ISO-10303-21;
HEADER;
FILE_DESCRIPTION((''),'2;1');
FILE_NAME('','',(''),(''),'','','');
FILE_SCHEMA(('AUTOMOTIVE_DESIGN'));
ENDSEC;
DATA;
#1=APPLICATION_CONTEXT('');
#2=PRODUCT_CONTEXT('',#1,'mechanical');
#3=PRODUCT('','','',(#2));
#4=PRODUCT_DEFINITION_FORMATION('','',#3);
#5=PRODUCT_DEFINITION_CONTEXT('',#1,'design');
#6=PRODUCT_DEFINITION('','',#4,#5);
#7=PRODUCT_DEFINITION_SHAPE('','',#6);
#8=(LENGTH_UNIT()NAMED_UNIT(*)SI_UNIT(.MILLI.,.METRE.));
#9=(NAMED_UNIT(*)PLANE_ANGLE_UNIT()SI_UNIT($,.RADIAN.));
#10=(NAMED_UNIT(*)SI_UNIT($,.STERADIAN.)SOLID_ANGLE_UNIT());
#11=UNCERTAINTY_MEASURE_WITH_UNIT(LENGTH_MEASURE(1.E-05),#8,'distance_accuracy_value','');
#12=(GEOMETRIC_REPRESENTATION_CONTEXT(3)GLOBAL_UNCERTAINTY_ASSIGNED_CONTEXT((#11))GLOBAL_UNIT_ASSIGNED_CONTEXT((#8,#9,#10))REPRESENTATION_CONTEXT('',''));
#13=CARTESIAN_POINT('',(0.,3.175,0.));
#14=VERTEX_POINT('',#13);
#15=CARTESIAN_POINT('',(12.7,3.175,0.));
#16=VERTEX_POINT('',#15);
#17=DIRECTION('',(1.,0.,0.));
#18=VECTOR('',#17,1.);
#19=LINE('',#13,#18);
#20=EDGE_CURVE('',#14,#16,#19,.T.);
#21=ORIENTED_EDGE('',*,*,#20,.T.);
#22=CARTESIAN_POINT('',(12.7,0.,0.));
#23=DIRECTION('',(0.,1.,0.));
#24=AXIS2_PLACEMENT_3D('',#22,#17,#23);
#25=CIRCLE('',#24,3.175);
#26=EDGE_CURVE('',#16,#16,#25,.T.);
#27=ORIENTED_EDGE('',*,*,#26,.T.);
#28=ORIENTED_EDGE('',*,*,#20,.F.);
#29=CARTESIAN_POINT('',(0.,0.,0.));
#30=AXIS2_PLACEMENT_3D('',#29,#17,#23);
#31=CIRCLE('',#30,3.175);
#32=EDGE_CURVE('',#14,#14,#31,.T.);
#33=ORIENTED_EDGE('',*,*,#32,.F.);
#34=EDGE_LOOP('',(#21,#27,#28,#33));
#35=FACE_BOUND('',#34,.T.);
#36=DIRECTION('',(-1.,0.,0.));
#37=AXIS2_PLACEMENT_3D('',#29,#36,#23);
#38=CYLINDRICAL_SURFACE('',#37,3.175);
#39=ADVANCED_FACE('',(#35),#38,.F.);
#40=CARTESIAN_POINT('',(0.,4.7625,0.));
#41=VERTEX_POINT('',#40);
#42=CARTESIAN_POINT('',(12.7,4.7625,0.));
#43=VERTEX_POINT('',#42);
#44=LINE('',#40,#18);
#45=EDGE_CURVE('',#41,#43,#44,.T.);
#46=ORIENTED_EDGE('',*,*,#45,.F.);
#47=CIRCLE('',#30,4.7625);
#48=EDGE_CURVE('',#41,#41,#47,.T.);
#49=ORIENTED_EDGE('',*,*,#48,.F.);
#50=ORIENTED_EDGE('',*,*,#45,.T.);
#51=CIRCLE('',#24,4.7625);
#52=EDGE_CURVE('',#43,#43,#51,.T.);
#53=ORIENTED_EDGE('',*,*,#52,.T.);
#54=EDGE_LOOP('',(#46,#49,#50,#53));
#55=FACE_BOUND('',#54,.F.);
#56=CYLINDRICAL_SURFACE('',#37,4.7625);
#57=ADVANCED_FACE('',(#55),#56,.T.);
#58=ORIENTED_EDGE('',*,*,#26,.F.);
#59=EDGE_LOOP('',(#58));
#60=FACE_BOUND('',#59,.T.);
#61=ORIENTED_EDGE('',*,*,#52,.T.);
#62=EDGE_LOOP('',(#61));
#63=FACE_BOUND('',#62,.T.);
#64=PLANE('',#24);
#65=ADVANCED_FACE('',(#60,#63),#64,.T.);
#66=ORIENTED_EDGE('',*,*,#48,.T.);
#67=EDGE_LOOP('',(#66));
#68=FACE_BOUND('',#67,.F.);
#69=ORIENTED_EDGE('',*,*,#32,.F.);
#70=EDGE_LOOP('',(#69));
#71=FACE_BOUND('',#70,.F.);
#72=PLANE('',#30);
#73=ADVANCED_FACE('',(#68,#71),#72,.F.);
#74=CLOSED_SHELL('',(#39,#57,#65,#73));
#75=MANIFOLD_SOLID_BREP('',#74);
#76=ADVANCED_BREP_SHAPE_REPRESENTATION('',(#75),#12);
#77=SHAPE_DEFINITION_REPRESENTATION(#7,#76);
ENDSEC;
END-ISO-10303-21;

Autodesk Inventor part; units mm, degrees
ref_plane "YZ Plane" through (0, 0, 0) normal (1, 0, 0) x (0, 1, 0)
ref_plane "XZ Plane" through (0, 0, 0) normal (0, 1, 0) x (-1, 0, 0)
ref_plane "XY Plane" through (0, 0, 0) normal (0, 0, 1) x (1, 0, 0)
sketch "Sketch1" plane through (0, 0, 0) normal (1, 0, 0) x (0, 1, 0)
  circle A0 centre (0, 0) radius 3.175
  circle A1 centre (0, 0) radius 4.7625
  dimension "d0" = 6.35
  dimension "d1" = 9.525
extrude "Extrusion1" add sketch "Sketch1" along normal blind 12.7
properties part number "spacer"
